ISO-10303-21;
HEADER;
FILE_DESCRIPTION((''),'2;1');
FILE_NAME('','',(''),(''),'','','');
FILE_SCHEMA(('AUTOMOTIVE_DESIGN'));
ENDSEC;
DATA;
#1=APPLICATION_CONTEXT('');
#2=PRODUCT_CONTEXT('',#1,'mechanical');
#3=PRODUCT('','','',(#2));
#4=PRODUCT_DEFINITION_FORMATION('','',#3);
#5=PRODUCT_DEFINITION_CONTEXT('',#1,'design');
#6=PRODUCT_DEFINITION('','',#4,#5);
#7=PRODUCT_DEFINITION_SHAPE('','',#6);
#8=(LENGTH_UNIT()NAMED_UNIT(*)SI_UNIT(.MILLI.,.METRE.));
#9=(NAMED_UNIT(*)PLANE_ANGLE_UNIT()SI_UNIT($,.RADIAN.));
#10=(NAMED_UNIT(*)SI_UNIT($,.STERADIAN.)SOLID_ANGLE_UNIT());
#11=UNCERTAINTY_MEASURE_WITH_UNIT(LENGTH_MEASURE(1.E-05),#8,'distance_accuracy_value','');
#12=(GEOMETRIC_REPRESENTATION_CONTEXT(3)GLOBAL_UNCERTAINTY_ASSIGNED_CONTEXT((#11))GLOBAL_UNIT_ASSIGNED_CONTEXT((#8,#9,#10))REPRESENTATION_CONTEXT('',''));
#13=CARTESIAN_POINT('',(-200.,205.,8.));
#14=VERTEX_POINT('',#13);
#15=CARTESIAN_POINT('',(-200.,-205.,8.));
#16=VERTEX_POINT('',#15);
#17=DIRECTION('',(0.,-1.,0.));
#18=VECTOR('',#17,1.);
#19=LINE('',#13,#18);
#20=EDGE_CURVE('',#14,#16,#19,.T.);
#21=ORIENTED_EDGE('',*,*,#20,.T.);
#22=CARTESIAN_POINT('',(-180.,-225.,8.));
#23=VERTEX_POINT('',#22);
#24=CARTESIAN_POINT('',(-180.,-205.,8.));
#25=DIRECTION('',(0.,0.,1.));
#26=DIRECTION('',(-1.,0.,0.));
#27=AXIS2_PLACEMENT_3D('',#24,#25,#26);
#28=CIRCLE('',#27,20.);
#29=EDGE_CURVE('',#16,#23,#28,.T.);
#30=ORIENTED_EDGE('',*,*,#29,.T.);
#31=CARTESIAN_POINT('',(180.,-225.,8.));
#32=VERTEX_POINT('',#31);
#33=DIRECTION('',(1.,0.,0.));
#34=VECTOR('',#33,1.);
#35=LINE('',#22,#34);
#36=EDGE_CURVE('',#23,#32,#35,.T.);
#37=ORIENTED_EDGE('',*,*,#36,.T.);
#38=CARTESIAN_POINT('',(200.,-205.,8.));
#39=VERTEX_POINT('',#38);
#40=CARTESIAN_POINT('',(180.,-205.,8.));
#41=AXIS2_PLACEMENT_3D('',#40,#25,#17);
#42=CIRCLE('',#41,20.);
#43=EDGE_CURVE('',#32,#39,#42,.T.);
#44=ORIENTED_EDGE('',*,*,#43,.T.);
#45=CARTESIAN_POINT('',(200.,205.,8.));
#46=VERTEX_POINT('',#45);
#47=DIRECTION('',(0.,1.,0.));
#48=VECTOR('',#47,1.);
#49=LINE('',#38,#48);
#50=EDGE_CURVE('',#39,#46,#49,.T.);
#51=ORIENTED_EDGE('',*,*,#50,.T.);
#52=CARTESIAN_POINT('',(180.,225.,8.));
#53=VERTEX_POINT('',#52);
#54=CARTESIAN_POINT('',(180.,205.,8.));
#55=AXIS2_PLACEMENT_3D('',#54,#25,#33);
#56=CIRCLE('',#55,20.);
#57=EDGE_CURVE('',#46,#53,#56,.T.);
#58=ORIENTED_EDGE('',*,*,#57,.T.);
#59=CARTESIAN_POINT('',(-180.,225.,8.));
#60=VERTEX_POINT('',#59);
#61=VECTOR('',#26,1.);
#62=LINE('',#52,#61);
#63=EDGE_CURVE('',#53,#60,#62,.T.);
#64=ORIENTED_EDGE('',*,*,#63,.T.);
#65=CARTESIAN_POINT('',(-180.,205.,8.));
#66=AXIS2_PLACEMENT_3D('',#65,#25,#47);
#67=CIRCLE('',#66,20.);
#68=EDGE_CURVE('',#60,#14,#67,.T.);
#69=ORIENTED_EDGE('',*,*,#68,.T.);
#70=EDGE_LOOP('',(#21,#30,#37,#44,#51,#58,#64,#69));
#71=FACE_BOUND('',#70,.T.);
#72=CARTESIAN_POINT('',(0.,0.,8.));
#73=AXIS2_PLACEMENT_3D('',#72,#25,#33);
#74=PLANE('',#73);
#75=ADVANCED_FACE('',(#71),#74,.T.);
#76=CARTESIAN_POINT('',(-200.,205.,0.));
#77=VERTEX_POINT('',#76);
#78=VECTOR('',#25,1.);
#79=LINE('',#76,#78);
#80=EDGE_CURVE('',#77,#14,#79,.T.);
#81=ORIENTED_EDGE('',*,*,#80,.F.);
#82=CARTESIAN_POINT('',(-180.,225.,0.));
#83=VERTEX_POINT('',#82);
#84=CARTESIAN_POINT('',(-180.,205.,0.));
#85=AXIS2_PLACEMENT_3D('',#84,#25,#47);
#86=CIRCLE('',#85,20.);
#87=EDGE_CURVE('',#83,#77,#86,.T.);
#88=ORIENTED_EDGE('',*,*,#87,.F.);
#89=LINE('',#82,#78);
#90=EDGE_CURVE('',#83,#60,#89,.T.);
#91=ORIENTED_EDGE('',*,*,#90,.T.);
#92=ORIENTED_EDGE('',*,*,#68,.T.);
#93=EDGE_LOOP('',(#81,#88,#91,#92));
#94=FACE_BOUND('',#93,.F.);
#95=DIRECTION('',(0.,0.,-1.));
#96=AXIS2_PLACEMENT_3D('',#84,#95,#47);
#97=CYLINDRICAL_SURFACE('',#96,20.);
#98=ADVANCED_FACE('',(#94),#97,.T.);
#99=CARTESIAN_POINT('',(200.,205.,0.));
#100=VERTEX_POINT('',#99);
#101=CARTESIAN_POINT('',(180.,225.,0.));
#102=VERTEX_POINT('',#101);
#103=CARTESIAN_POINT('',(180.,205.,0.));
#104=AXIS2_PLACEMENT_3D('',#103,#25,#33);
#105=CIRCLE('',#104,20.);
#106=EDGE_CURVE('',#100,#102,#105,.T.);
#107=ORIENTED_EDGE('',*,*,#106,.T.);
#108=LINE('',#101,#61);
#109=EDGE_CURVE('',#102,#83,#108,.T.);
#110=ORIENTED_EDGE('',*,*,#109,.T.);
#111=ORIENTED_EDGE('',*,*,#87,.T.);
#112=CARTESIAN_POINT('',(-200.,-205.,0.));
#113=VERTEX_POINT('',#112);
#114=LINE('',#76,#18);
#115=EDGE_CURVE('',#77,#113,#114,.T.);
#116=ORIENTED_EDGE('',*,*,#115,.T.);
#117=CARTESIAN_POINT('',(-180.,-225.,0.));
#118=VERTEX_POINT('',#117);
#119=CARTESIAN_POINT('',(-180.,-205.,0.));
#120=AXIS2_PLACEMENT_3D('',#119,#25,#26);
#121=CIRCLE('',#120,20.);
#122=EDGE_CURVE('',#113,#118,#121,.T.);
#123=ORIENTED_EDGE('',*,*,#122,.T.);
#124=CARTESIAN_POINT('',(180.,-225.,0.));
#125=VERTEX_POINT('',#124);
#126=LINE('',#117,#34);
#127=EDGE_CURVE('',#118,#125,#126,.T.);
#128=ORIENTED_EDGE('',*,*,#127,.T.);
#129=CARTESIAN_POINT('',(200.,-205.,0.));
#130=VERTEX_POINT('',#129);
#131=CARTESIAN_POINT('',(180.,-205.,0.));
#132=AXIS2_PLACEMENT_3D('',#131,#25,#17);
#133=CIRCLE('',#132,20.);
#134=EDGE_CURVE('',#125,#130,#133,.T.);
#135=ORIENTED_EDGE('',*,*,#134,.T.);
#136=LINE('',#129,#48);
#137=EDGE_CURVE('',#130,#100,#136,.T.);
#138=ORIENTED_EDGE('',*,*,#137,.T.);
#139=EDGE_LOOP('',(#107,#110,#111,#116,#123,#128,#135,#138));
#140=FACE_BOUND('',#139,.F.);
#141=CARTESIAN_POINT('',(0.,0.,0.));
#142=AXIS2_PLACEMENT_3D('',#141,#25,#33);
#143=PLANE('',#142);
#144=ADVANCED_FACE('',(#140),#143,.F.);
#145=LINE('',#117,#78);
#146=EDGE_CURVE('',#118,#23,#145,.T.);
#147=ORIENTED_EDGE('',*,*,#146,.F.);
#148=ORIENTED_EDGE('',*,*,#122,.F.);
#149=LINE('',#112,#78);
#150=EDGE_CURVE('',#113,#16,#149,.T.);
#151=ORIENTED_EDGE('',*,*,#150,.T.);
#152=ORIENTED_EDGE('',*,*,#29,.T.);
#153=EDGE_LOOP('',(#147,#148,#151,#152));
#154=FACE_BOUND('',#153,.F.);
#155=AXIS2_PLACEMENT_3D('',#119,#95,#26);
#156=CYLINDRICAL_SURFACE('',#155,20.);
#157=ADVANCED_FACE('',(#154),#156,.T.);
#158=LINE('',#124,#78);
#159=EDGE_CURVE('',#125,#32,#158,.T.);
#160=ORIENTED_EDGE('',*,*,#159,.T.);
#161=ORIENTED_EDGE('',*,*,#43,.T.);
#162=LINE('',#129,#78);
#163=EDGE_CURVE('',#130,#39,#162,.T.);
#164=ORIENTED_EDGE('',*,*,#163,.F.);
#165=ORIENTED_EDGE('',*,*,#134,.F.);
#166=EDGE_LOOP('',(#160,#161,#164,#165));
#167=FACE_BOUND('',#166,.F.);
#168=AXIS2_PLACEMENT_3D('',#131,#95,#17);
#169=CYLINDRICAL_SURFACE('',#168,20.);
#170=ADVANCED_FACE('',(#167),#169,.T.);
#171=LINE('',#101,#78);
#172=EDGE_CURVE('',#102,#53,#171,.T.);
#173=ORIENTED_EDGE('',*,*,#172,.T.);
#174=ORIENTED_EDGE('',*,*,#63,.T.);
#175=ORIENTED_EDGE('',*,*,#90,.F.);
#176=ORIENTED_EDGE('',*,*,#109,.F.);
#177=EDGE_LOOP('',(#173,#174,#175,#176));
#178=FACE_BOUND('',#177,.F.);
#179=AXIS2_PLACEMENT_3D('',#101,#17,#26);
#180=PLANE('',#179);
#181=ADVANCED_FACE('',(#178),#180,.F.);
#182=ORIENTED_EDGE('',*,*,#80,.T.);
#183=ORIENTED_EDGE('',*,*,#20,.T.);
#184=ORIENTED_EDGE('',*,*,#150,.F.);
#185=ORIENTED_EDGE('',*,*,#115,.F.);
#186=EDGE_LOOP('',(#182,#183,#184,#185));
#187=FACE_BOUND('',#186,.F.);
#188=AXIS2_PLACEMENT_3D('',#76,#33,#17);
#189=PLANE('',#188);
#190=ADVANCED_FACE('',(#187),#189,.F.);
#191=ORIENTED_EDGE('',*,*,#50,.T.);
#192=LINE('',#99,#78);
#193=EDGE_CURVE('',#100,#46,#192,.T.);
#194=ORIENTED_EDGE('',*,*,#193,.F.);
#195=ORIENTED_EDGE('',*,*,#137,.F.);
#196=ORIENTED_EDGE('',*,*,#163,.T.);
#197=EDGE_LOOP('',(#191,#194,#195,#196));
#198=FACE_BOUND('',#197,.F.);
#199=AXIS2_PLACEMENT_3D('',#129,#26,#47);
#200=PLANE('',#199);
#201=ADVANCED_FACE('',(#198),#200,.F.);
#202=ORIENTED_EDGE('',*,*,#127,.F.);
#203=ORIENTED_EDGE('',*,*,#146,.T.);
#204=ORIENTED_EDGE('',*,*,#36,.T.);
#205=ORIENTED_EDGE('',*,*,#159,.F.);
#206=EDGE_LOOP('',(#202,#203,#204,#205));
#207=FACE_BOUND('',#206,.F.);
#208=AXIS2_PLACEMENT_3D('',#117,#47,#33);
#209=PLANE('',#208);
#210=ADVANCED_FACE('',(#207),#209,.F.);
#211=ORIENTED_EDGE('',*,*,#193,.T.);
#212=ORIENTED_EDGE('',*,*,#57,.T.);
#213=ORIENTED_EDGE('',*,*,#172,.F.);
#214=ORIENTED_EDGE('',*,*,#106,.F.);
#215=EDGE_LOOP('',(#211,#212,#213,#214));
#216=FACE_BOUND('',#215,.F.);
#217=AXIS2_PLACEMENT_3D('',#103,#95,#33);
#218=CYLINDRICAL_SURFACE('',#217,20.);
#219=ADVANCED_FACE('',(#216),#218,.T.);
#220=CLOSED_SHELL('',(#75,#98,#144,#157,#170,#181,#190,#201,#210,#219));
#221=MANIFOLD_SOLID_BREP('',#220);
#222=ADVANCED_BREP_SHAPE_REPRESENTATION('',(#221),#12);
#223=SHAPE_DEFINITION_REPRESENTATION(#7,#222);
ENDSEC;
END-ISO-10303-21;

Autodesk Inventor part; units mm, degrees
ref_plane "YZ Plane" through (0, 0, 0) normal (1, 0, 0) x (0, 1, 0)
ref_plane "XZ Plane" through (0, 0, 0) normal (0, 1, 0) x (-1, 0, 0)
ref_plane "XY Plane" through (0, 0, 0) normal (0, 0, 1) x (1, 0, 0)
sketch "Sketch1" plane through (0, 0, 0) normal (0, 0, 1) x (1, 0, 0)
  line L0 (-180, -225) -> (180, -225)
  line L1 (200, -205) -> (200, 205)
  line L2 (180, 225) -> (-180, 225)
  line L3 (-200, 205) -> (-200, -205)
  line L4 (-200, -225) -> (200, 225) construction
  line L5 (200, -225) -> (-200, 225) construction
  arc A0 (-180, 225) -> (-200, 205) centre (-180, 205) ccw
  arc A1 (200, 205) -> (180, 225) centre (180, 205) ccw
  arc A2 (180, -225) -> (200, -205) centre (180, -205) ccw
  arc A3 (-200, -205) -> (-180, -225) centre (-180, -205) ccw
  point P0 (0, 0)
  dimension "d0" = 400
  dimension "d1" = 450
  dimension "d2" = 20
extrude "Extrusion1" add sketch "Sketch1" along normal blind 8
properties part number "VIDRIO" material "Glass"
